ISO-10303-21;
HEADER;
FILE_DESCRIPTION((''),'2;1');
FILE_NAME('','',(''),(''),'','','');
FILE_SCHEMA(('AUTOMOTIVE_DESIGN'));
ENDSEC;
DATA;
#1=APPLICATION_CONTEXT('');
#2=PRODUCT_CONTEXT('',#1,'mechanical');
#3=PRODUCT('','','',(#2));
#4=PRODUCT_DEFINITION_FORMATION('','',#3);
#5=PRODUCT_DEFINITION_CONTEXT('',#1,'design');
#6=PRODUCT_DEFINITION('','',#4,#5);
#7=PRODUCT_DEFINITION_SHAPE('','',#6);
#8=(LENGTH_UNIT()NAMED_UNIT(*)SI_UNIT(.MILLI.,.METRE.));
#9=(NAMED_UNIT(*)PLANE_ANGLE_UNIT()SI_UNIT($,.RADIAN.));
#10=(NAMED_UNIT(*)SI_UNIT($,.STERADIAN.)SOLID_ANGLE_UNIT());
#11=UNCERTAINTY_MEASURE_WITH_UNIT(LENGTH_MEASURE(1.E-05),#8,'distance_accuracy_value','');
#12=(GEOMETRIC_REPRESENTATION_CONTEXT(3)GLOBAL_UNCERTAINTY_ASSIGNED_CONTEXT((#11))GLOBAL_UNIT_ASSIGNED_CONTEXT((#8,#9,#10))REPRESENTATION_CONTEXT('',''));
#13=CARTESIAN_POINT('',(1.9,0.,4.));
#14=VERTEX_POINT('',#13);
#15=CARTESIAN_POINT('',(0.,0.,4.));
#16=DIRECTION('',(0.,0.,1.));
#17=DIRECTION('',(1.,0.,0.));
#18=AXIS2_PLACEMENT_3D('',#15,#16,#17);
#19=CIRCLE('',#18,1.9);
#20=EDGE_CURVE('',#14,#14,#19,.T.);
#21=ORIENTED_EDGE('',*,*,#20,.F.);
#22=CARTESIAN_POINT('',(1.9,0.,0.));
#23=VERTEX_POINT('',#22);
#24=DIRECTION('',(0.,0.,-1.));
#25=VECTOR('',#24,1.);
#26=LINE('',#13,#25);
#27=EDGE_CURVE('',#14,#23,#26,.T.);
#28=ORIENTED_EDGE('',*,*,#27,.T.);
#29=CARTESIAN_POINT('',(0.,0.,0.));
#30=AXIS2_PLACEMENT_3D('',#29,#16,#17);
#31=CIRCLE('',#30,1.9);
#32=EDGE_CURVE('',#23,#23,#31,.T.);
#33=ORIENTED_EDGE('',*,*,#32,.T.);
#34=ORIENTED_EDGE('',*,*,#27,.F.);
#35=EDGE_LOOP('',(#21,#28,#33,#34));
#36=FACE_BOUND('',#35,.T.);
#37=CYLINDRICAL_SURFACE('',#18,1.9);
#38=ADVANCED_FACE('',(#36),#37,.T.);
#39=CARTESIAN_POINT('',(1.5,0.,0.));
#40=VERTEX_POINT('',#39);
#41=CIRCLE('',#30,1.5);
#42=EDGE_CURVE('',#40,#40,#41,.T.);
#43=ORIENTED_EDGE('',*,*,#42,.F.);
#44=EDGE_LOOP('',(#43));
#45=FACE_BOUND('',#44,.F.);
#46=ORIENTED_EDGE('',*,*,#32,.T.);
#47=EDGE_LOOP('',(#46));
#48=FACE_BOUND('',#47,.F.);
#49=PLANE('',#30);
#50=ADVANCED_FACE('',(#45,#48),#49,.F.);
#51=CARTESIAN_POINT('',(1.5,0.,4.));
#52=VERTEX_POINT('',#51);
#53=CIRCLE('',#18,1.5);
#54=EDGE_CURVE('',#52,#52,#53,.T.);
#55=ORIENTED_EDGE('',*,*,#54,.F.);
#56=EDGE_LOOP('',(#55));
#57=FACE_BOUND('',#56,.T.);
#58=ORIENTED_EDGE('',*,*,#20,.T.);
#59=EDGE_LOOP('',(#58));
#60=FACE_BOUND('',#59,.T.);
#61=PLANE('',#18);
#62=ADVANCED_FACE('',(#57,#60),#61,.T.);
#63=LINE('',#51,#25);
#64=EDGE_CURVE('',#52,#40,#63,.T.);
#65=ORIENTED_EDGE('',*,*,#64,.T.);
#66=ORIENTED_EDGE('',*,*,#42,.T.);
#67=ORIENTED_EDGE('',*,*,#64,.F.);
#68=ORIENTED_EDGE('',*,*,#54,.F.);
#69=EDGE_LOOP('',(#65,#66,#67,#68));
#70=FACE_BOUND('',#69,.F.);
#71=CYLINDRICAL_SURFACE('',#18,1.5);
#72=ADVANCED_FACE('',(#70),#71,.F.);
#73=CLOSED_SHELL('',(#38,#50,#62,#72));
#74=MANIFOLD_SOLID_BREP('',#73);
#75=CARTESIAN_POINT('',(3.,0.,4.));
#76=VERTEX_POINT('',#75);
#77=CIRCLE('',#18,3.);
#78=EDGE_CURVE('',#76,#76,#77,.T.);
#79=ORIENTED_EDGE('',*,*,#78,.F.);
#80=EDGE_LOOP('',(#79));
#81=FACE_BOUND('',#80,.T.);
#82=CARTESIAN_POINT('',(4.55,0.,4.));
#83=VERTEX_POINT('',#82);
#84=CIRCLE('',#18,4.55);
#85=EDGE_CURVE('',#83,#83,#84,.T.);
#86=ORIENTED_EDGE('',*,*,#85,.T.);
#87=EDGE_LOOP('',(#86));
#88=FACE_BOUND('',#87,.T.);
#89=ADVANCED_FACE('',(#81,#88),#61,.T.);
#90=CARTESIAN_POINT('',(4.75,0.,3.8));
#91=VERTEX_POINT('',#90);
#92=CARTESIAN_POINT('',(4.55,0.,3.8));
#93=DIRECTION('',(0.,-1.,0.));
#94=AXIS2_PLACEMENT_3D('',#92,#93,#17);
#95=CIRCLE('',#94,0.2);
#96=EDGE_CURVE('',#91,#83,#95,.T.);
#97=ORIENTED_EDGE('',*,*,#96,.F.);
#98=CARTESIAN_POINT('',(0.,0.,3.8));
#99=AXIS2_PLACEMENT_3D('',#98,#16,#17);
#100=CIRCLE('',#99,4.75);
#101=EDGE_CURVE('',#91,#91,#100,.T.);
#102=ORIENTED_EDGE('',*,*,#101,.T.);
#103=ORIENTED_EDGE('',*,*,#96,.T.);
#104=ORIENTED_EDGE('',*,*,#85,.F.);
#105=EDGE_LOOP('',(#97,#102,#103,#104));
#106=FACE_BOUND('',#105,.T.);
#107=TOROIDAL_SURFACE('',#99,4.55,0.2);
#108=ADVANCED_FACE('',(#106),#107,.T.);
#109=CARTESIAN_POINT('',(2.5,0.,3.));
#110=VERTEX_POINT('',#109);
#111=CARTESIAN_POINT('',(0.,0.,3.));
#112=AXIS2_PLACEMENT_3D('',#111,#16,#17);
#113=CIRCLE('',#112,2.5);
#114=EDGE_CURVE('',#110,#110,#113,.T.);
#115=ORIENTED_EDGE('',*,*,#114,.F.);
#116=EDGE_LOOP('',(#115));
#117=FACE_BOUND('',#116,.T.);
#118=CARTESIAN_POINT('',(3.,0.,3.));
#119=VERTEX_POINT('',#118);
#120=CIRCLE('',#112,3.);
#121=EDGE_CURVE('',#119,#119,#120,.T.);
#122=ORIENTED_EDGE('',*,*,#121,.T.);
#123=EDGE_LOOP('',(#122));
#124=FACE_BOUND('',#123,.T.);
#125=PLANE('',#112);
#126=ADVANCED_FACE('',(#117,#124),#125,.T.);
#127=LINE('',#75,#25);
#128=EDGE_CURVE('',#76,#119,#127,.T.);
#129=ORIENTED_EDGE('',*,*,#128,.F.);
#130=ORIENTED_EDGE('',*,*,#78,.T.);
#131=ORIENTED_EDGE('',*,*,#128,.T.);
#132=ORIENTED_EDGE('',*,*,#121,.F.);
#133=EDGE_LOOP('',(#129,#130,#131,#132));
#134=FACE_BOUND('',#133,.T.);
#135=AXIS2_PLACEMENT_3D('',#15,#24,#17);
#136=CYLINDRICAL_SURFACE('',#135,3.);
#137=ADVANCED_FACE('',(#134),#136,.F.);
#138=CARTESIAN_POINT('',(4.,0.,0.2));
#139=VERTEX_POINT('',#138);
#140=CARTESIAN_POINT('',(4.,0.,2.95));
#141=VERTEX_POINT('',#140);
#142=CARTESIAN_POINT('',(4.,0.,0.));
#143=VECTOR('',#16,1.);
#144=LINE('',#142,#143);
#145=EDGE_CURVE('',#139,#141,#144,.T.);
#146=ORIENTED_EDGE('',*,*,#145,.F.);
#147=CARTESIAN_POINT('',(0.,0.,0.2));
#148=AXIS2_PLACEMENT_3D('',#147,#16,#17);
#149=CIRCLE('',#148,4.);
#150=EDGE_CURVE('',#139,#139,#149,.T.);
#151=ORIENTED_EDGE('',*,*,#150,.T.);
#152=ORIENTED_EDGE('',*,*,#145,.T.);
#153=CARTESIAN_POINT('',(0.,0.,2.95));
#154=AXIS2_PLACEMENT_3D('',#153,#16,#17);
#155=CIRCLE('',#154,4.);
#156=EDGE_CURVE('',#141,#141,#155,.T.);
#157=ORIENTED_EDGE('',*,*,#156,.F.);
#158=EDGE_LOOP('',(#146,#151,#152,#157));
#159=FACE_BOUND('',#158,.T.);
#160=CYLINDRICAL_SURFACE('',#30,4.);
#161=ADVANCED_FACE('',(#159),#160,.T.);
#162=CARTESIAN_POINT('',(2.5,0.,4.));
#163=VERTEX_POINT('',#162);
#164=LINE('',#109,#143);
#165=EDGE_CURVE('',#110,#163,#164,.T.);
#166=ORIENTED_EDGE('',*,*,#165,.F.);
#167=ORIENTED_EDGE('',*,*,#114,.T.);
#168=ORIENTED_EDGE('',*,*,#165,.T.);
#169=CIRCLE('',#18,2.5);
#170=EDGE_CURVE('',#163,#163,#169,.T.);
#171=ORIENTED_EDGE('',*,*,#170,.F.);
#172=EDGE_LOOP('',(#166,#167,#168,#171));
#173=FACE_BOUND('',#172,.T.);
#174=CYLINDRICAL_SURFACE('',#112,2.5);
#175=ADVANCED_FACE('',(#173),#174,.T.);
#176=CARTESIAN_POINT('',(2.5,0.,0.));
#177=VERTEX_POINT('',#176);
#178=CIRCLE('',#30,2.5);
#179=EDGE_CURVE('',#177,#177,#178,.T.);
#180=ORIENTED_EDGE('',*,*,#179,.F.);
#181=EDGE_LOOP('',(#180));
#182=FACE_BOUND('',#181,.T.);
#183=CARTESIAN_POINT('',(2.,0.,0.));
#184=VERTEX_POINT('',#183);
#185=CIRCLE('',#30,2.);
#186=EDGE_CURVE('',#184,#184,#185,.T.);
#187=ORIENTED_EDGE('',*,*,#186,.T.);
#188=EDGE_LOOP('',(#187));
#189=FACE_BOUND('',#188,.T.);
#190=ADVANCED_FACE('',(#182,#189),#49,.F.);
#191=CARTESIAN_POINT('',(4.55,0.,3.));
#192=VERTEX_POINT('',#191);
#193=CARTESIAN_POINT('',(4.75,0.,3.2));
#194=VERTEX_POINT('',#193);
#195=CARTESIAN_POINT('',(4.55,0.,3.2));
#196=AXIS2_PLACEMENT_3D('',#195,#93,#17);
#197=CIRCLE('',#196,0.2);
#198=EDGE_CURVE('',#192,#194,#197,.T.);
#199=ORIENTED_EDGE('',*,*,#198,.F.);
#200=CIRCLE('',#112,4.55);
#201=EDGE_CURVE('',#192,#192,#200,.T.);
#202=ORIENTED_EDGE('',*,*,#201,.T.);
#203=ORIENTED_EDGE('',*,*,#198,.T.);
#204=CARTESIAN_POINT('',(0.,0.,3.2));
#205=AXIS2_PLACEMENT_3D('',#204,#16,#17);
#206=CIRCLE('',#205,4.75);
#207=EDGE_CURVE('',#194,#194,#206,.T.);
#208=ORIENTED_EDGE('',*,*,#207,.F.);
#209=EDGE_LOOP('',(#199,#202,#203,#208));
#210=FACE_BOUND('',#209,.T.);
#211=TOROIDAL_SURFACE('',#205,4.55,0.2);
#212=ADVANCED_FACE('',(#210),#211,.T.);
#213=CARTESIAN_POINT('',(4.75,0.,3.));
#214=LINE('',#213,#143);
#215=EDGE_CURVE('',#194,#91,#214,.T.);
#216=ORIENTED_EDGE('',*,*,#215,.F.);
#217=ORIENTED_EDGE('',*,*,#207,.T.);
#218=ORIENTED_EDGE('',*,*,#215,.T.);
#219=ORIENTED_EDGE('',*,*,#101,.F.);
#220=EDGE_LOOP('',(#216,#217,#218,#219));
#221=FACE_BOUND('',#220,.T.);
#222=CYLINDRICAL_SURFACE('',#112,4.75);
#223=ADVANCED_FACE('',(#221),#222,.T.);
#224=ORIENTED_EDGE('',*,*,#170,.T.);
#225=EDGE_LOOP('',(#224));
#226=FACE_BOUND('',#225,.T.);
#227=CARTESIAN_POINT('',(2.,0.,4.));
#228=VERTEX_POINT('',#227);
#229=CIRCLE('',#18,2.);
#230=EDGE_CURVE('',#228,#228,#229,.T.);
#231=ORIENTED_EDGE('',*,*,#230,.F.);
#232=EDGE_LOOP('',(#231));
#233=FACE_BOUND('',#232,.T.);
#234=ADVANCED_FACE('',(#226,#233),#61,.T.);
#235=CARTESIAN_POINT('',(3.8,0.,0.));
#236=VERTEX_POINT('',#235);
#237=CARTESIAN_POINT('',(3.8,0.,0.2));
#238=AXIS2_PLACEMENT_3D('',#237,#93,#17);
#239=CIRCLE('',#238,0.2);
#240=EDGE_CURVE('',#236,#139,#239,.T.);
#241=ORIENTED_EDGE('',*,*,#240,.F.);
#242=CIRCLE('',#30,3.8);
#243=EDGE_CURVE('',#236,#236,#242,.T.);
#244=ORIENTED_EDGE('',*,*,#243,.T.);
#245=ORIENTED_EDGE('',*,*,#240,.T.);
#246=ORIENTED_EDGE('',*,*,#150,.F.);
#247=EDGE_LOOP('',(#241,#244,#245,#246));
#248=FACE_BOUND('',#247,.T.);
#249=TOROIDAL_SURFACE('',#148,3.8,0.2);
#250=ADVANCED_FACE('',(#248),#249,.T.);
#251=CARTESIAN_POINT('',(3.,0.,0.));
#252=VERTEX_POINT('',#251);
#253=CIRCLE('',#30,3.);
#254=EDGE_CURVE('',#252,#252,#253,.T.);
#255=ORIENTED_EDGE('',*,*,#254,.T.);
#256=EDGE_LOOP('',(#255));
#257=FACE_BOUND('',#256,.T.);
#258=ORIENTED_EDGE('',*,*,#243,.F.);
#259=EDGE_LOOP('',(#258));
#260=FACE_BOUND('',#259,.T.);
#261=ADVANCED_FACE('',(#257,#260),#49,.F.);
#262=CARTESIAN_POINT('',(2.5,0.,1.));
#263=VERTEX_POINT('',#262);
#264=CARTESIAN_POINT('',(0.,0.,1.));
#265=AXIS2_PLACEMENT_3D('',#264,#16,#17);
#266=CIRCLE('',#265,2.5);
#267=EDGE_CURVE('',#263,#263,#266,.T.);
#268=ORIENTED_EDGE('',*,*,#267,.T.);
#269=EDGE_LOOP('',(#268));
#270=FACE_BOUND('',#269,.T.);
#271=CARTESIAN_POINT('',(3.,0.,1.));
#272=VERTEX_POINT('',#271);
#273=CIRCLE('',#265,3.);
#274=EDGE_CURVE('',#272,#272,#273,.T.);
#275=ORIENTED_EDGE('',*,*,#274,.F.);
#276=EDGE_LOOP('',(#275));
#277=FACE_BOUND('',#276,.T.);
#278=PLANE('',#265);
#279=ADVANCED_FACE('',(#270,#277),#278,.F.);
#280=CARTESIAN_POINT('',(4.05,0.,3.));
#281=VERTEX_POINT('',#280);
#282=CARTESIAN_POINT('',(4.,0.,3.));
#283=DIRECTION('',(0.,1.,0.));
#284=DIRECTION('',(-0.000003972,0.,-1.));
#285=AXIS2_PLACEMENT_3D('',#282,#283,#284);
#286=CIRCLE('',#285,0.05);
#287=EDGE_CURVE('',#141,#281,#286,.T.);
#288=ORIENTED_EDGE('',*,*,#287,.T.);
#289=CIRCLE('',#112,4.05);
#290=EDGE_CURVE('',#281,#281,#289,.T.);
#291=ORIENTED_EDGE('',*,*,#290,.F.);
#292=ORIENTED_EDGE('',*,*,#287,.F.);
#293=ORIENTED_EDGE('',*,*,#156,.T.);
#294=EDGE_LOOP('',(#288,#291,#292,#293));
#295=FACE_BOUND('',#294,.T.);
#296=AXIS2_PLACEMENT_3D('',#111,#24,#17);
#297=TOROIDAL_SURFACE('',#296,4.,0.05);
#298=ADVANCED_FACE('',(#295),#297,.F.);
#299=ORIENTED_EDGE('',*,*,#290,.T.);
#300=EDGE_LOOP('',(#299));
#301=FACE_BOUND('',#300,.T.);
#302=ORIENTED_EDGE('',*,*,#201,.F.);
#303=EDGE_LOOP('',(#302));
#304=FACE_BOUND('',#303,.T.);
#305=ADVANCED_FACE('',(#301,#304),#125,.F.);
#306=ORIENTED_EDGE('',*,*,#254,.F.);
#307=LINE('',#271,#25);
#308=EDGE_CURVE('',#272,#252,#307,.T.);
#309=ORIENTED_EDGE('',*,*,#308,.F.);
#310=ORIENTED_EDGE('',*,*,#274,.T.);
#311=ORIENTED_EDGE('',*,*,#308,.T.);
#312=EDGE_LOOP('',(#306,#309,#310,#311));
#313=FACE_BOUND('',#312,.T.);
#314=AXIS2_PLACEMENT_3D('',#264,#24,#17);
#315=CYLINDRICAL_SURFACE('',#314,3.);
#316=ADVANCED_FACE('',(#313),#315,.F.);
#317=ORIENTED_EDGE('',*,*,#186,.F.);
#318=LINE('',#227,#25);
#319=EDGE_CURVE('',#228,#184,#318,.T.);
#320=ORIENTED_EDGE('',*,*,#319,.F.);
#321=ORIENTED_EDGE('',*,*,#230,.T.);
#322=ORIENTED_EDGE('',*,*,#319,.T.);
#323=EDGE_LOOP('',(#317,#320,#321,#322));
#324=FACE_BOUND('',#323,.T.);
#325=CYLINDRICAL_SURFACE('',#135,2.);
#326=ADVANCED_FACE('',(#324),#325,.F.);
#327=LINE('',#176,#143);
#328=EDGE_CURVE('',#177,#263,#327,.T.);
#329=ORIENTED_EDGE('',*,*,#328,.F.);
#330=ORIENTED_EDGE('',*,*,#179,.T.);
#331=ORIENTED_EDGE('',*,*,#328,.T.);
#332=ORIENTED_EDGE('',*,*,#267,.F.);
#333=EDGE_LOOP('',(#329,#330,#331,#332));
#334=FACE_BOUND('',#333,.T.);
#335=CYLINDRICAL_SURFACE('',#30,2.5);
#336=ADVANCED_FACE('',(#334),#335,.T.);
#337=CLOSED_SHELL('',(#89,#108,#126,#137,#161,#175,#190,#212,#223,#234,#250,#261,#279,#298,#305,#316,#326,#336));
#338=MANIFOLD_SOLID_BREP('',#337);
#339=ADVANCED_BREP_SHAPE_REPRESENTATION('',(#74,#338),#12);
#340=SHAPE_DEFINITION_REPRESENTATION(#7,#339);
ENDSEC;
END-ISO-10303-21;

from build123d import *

# Parameters (mm, degrees)
F2_R     = 1.9
F2_R_2   = 1.5
F3_DEPTH = 4
F4_R     = 0.2


with BuildPart() as f1:
    # F0 (on Front) → F1 (revolve)
    with BuildSketch(Plane.XZ):
        with BuildLine():
            Line((2.5, 4), (2, 4))
            Line((2, 4), (2, 0))
            Line((2, 0), (2.5, 0))
            Line((2.5, 0), (2.5, 1))
            Line((2.5, 1), (3, 1))
            Line((3, 1), (3, 0))
            Line((3, 0), (4, 0))
            Line((4, 0), (4, 2.95))
            ThreePointArc((4, 2.95), (3.964645, 3.035355), (4.05, 3))
            Line((4.05, 3), (4.75, 3))
            Line((4.75, 3), (4.75, 4))
            Line((4.75, 4), (3, 4))
            Line((3, 4), (3, 3))
            Line((3, 3), (2.5, 3))
            Line((2.5, 3), (2.5, 4))
        make_face()
    revolve(axis=Axis((0, 0, 2), (0, 0, 1)))

    # F4
    f4_edges = [f1.edges().sort_by_distance(p)[0] for p in [
        (-4.75, 0, 4),
        (-4.75, 0, 3),
        (-4, 0, 0),
    ]]
    fillet(f4_edges, radius=F4_R)


with BuildPart() as f3:
    # F2 (on face) → F3 (new body)
    with BuildSketch(Plane.XY.offset(4)):
        Circle(F2_R)
        Circle(F2_R_2, mode=Mode.SUBTRACT)
    extrude(amount=-F3_DEPTH)


solid = Compound([f1.part, f3.part])
